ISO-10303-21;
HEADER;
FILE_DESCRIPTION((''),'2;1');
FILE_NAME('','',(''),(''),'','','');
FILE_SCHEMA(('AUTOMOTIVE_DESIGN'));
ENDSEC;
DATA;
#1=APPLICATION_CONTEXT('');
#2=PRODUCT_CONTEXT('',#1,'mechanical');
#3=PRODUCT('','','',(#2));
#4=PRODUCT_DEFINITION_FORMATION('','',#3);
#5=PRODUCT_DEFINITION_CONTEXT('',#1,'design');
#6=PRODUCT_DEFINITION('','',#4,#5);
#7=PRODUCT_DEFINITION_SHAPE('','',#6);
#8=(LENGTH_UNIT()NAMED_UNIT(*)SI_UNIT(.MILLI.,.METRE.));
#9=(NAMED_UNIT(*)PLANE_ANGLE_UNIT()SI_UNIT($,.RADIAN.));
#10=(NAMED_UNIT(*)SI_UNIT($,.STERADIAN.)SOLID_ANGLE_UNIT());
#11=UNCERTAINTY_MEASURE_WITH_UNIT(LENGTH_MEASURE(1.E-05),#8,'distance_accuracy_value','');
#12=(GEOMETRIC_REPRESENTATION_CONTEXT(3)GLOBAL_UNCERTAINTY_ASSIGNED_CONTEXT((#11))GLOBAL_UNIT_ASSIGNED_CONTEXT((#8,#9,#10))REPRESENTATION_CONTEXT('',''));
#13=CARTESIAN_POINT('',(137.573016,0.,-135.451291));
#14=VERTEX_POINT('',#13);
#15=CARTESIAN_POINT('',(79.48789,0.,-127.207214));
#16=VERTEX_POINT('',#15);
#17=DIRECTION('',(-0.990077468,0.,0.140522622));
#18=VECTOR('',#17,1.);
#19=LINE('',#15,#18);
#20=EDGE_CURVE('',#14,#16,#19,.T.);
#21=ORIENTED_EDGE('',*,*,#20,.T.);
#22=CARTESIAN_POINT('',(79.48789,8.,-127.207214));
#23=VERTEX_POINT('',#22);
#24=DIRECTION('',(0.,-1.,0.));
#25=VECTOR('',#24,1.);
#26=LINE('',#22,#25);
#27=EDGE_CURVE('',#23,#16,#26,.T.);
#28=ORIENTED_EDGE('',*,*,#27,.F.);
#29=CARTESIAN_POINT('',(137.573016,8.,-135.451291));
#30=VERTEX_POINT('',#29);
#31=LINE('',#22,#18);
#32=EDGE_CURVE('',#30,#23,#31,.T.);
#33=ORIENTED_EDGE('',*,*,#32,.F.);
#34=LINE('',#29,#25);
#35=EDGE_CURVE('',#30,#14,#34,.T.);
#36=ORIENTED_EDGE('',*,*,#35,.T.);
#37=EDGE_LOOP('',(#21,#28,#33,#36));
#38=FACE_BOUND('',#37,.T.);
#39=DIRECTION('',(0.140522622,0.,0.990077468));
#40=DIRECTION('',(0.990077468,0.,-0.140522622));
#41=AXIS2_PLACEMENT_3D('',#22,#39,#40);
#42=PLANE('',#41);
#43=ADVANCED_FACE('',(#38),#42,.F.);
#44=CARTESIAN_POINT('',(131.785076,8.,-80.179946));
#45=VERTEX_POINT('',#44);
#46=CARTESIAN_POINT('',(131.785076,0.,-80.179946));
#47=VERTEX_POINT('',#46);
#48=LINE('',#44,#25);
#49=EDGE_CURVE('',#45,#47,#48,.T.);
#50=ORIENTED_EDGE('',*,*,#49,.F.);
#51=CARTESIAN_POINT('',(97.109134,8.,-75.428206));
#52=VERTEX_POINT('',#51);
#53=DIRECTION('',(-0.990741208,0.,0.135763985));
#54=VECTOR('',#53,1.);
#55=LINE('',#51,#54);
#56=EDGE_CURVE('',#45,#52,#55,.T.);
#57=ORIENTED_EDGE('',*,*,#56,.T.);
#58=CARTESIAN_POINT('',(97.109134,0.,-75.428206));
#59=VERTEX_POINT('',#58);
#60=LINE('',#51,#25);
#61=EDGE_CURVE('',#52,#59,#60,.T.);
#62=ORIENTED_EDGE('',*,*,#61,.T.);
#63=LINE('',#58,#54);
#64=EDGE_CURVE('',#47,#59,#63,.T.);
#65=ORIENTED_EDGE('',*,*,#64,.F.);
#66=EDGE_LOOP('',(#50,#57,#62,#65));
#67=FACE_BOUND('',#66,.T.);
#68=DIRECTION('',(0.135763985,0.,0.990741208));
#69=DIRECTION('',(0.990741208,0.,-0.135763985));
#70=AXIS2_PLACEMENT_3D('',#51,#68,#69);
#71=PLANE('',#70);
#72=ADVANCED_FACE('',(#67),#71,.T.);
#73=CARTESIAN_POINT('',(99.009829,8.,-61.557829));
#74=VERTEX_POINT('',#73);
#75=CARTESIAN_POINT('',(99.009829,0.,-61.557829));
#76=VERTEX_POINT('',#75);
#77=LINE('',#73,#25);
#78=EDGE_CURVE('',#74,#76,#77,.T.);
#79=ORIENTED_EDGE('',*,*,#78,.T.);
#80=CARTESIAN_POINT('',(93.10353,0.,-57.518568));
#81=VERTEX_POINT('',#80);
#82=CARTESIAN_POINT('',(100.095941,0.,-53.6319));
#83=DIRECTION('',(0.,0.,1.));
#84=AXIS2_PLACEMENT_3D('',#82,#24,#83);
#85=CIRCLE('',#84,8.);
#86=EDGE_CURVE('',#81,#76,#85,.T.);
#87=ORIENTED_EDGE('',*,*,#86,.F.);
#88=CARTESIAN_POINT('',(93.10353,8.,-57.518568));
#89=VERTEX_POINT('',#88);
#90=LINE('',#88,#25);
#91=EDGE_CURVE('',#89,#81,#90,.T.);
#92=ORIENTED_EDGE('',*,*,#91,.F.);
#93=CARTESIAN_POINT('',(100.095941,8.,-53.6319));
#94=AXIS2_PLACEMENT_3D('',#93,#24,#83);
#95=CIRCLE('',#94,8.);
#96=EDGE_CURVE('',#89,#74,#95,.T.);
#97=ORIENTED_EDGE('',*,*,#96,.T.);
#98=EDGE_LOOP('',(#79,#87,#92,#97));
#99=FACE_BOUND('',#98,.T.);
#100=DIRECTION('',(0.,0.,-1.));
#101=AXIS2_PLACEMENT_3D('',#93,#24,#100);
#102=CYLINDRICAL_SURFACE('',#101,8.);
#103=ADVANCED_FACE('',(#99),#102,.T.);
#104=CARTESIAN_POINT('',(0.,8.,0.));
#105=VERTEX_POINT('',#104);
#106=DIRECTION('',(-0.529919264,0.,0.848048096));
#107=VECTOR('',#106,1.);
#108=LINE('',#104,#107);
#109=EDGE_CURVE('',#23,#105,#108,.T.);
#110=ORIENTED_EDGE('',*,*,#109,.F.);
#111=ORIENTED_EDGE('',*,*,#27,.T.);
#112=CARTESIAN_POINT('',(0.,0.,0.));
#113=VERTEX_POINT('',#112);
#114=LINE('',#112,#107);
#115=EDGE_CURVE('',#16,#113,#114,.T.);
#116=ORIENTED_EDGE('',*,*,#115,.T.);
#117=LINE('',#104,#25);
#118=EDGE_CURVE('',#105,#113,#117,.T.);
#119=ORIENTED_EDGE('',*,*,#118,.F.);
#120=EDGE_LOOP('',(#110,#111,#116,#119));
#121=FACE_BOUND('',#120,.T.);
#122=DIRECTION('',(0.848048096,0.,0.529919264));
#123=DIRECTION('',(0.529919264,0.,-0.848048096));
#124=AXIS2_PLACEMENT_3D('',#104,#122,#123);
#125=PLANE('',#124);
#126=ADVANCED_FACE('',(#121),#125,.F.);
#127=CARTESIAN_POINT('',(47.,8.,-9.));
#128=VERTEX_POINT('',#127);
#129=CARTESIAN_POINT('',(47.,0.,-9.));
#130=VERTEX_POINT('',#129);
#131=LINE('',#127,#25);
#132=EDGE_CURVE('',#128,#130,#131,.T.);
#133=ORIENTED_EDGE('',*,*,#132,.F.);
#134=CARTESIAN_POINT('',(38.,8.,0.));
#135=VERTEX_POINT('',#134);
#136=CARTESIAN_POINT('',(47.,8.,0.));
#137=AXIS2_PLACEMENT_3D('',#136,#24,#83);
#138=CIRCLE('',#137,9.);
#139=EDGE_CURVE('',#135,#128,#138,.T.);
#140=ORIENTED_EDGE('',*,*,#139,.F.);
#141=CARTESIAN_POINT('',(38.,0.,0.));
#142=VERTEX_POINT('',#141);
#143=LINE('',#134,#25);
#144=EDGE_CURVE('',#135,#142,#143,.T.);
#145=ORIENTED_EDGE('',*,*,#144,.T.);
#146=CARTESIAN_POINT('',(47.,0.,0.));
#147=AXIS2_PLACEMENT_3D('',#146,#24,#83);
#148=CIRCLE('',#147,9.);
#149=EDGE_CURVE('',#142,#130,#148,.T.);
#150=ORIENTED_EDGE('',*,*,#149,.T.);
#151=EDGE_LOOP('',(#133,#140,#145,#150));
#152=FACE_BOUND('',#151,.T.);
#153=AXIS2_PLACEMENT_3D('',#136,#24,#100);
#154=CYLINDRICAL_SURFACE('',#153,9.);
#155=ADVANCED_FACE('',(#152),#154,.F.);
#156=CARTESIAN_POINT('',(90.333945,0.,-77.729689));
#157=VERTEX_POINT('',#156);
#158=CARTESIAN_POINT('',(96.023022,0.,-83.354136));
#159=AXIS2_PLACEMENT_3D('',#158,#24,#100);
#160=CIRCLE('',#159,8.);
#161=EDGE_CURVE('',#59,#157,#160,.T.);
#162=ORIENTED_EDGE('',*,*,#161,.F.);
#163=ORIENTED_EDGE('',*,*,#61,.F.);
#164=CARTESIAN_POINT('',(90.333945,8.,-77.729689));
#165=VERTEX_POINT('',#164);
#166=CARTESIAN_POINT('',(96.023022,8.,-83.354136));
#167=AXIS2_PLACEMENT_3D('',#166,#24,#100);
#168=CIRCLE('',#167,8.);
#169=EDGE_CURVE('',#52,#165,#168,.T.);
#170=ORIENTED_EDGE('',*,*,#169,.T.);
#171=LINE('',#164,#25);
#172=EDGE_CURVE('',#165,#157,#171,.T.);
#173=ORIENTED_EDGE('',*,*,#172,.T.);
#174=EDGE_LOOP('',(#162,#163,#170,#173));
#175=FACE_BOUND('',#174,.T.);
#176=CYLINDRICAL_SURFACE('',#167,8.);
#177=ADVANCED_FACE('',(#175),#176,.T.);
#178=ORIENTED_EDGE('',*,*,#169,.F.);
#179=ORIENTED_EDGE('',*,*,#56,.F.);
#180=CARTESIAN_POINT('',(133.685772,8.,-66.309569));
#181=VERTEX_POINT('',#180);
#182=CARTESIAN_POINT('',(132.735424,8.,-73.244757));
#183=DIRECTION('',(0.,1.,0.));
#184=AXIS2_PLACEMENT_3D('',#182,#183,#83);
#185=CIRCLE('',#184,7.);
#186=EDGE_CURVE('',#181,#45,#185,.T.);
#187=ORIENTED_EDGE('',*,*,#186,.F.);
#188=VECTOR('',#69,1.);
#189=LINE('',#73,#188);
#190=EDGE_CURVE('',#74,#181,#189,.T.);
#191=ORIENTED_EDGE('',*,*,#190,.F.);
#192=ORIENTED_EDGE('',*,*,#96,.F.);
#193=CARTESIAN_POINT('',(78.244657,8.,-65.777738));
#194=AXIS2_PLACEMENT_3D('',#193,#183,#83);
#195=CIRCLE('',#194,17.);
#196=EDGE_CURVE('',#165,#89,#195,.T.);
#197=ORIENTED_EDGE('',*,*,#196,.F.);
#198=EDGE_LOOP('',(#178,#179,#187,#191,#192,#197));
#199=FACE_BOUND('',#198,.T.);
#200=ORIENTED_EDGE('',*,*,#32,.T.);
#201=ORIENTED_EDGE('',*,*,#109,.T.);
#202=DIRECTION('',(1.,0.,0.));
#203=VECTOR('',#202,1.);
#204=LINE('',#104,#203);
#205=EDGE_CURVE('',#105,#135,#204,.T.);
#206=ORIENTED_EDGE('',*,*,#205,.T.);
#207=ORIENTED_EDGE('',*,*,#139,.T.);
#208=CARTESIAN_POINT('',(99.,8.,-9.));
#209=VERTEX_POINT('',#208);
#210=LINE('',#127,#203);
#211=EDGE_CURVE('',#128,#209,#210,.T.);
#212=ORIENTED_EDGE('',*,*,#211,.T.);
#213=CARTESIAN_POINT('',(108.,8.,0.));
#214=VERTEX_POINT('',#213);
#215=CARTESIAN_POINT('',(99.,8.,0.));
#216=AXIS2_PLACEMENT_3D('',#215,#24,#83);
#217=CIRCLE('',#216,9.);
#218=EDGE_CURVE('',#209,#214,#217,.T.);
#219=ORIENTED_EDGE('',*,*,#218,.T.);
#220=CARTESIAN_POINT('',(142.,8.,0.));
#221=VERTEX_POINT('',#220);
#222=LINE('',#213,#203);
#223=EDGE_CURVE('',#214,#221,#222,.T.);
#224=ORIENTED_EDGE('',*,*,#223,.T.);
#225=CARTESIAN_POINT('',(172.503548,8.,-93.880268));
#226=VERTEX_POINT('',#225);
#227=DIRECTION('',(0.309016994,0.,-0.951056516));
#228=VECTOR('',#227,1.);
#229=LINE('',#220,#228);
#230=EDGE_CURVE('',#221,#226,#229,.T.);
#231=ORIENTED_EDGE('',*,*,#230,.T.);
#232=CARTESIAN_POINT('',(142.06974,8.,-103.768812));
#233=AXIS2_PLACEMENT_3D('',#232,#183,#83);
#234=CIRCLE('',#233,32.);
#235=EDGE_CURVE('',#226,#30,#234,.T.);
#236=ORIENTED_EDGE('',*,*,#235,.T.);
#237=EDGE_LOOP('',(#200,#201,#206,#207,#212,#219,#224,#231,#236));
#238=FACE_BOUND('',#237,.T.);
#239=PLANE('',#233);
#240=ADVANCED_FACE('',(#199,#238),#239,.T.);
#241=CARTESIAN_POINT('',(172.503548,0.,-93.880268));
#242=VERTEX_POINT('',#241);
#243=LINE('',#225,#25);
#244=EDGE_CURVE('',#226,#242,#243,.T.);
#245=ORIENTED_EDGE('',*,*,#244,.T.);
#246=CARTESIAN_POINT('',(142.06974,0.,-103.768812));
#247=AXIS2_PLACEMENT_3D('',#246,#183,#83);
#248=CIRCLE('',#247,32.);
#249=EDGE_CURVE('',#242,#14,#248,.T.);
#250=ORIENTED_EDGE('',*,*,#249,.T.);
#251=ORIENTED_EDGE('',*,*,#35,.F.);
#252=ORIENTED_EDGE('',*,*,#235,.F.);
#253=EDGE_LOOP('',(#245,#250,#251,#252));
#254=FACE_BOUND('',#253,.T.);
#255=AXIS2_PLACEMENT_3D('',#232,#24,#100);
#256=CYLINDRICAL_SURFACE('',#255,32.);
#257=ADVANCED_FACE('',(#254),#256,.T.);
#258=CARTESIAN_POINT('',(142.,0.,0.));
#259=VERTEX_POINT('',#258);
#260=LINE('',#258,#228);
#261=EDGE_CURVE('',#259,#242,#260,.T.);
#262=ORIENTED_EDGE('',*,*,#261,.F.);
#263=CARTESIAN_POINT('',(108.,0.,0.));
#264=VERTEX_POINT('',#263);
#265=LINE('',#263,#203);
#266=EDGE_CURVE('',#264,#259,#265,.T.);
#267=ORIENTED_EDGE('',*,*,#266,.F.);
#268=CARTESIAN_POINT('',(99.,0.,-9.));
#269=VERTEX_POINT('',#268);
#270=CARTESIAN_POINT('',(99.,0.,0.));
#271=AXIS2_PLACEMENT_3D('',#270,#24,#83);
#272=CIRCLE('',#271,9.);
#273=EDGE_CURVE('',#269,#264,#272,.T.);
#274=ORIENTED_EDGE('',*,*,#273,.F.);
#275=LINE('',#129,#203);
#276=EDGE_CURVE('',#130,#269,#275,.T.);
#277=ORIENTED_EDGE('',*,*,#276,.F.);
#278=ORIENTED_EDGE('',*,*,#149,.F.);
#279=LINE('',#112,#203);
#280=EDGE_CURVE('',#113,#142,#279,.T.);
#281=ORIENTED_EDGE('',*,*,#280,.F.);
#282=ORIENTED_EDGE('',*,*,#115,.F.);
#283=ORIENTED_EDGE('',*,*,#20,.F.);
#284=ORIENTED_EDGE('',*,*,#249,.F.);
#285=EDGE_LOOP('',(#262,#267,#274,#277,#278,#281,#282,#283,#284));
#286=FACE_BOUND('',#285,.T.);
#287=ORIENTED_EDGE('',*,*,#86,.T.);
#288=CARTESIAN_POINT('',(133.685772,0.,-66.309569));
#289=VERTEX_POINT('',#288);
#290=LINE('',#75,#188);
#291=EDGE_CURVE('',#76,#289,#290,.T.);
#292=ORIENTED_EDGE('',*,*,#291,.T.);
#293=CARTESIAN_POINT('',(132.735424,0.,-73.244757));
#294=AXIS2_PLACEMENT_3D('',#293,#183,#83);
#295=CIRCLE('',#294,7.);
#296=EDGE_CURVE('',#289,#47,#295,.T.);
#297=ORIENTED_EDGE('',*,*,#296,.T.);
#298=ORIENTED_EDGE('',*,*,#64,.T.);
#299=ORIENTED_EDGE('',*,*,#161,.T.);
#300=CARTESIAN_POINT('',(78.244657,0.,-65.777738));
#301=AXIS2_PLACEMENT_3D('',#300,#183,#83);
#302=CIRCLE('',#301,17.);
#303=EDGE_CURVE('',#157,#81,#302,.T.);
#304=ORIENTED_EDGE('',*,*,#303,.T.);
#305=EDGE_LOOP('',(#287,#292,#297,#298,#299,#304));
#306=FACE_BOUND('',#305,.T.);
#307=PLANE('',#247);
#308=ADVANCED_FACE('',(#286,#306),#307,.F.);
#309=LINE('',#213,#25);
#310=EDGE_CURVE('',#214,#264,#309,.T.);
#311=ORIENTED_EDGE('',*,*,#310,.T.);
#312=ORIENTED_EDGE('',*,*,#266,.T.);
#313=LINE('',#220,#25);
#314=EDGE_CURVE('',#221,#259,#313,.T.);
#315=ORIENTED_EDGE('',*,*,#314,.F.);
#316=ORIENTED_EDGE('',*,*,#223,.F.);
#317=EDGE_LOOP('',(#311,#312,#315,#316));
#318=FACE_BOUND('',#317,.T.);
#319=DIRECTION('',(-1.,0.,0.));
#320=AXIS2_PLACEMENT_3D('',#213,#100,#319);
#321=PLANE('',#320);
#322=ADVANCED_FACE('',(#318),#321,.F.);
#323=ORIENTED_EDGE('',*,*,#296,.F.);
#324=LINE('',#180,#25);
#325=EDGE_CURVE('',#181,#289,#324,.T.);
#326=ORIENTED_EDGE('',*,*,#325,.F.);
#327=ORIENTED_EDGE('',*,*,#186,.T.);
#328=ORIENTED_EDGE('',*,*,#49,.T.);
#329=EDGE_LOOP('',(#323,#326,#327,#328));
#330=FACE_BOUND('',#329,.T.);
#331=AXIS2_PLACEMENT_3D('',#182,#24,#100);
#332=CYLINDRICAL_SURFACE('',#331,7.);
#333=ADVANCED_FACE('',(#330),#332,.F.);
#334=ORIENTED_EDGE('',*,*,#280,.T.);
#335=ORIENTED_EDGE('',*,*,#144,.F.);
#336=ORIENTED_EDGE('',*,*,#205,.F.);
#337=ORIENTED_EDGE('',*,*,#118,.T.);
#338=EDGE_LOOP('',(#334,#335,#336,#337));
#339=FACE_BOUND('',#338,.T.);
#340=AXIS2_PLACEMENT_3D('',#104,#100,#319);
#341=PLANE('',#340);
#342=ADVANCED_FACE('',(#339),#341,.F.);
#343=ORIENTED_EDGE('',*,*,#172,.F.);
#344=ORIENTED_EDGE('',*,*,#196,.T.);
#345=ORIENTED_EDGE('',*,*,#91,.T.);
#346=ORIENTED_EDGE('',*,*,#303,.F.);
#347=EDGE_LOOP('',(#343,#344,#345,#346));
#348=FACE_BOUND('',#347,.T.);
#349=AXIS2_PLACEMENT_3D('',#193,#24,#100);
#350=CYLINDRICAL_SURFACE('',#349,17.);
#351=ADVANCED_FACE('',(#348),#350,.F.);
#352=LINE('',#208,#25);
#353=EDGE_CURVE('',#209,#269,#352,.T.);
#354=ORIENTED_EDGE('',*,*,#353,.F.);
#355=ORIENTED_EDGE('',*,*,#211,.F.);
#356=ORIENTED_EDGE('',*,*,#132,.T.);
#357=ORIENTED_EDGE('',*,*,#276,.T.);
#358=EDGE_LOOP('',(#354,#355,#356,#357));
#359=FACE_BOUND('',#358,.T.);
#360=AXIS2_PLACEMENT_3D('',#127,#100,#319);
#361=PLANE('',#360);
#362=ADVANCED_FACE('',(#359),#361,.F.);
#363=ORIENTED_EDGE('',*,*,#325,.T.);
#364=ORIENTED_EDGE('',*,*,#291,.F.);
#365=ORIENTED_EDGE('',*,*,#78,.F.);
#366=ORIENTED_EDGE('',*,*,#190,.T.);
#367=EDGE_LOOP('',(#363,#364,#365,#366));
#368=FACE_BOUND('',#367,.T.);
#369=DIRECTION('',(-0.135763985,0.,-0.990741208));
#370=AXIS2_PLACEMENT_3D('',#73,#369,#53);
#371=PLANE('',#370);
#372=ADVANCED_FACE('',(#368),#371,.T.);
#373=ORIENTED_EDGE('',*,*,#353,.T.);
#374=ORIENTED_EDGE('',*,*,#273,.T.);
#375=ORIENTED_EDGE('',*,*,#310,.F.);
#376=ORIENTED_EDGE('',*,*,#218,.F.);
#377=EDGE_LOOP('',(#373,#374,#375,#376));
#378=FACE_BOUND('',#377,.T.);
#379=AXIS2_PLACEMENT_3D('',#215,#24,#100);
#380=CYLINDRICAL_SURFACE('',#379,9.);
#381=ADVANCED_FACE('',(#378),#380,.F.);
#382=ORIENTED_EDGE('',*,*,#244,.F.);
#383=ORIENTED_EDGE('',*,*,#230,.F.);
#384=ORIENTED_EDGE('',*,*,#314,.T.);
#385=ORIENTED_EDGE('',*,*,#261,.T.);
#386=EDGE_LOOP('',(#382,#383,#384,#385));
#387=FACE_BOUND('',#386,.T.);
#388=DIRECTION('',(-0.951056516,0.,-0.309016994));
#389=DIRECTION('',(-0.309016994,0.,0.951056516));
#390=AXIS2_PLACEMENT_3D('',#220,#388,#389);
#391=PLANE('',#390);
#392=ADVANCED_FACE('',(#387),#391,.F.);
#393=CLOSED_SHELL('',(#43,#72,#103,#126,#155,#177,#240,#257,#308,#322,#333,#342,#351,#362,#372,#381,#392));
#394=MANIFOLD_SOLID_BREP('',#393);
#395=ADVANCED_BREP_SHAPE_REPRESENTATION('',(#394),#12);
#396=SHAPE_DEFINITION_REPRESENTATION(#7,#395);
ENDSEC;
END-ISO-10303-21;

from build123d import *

# Parameters (mm, degrees)
BOSS_EXTRUDE1_DEPTH = 8


with BuildPart() as part:
    # Sketch1 → Boss-Extrude1 (new body)
    with BuildSketch(Plane(origin=(0, 0, 0), x_dir=(1, 0, 0), z_dir=(0, 1, 0))):
        with BuildLine():
            Line((0, 0), (38, 0))
            ThreePointArc((38, 0), (40.636038969, 6.363961031), (47, 9))
            Line((47, 9), (99, 9))
            ThreePointArc((99, 9), (105.363961031, 6.363961031), (108, 0))
            Line((108, 0), (142, 0))
            Line((142, 0), (172.50354814, 93.880267937))
            ThreePointArc((172.50354814, 93.880267937), (166.569139078, 124.354715336), (137.573015724, 135.451290736))
            Line((137.573015724, 135.451290736), (79.487889635, 127.207214423))
            Line((79.487889635, 127.207214423), (0, 0))
        make_face()
        with BuildLine():
            Line((97.109133521, 75.428206388), (131.785075785, 80.179945877))
            ThreePointArc((131.785075785, 80.179945877), (139.670612135, 74.195105322), (133.68577158, 66.309568971))
            Line((133.68577158, 66.309568971), (99.009829317, 61.557829483))
            ThreePointArc((99.009829317, 61.557829483), (95.579909698, 60.235342824), (93.103530342, 57.518568112))
            ThreePointArc((93.103530342, 57.518568112), (61.402056741, 63.469750476), (90.33394504, 77.729688746))
            ThreePointArc((90.33394504, 77.729688746), (93.449886138, 75.779245046), (97.109133521, 75.428206388))
        make_face(mode=Mode.SUBTRACT)
    extrude(amount=BOSS_EXTRUDE1_DEPTH)


solid = part.part
